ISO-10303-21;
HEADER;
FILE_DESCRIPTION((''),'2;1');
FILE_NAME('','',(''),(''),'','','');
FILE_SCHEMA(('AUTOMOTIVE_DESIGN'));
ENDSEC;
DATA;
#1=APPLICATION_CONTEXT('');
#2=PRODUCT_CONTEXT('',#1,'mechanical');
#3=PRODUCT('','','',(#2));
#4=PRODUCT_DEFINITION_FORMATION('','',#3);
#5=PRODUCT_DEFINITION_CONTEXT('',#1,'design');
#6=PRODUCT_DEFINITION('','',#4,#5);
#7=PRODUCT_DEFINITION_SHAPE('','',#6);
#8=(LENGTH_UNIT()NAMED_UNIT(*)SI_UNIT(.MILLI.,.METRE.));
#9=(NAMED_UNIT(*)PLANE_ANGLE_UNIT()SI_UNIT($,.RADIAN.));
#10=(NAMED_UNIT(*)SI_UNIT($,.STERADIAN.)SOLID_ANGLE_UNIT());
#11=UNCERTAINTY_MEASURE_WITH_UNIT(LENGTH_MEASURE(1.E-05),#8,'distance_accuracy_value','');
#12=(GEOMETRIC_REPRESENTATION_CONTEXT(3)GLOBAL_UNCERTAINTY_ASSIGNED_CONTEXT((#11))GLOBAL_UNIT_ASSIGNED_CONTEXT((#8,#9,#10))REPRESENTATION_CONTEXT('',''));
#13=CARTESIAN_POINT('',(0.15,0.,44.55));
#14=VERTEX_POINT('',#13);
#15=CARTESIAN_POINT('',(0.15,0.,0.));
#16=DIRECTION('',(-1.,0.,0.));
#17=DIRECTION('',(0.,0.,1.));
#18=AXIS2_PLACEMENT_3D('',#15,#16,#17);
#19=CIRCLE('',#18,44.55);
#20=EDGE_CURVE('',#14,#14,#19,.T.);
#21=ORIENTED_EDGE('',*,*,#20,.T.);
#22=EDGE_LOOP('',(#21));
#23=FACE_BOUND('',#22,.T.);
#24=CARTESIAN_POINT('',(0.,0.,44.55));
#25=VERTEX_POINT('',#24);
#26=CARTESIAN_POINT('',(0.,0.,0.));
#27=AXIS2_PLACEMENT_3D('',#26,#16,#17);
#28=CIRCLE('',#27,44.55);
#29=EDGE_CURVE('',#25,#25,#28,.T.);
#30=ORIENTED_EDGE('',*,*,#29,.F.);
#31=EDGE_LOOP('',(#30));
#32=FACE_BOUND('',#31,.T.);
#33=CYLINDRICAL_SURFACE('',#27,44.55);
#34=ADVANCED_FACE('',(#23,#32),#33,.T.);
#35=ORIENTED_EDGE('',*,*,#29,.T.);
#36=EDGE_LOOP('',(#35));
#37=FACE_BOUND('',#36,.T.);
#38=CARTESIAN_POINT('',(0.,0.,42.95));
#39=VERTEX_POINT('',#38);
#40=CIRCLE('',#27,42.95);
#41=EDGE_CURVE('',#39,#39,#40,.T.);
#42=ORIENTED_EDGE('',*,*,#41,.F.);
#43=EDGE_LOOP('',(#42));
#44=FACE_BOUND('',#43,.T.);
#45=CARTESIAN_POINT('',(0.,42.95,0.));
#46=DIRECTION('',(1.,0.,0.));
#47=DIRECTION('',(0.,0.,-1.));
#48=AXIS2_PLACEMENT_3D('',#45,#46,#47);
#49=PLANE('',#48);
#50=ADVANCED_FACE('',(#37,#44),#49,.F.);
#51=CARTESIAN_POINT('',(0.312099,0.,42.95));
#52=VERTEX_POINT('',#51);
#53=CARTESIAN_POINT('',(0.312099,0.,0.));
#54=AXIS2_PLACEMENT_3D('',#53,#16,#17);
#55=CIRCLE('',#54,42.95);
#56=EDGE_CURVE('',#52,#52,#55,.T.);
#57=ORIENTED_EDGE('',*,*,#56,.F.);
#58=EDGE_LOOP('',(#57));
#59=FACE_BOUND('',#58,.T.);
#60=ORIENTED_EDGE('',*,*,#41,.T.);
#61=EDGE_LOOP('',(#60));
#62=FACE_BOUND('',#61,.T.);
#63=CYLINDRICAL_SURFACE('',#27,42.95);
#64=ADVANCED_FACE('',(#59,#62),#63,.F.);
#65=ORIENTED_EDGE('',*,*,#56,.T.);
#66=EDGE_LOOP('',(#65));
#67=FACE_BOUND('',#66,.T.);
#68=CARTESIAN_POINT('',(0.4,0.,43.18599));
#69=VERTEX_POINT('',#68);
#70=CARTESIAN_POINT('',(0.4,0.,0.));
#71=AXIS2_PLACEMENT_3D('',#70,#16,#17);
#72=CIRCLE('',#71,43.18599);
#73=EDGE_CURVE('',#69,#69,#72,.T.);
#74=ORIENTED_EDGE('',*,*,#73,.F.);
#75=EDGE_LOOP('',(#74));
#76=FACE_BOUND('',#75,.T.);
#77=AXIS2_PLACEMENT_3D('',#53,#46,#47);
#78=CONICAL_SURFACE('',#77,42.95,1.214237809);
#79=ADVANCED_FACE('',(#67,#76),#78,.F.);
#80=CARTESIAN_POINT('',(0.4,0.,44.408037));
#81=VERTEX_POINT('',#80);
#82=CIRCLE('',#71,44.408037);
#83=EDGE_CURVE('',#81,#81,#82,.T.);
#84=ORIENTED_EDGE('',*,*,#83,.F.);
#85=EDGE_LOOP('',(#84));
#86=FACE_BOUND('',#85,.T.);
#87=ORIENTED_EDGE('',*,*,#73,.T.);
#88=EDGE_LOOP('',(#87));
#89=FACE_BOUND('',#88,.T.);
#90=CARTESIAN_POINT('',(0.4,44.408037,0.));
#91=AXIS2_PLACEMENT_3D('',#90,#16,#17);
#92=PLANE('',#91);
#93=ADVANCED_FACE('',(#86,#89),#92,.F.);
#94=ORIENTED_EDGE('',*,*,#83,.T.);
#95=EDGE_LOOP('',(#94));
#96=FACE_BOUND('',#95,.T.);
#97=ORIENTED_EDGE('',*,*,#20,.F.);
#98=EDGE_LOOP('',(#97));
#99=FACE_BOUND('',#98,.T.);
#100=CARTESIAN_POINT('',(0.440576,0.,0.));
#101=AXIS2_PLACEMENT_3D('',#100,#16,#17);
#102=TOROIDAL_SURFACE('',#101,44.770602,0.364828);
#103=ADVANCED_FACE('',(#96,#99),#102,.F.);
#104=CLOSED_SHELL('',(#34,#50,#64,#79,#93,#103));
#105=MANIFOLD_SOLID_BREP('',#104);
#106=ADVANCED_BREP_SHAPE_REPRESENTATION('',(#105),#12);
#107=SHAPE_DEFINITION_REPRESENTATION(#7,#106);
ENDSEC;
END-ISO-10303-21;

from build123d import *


with BuildPart() as part:
    # 草图1 → 旋转1 (revolve)
    with BuildSketch(Plane.XY):
        with BuildLine():
            Line((0, 44.55), (0.15, 44.55))
            ThreePointArc((0.15, 44.55), (0.260426662, 44.453354538), (0.4, 44.408037035))
            Line((0.4, 44.408037035), (0.4, 43.185990161))
            Line((0.4, 43.185990161), (0.312098656, 42.95))
            Line((0.312098656, 42.95), (0, 42.95))
            Line((0, 42.95), (0, 44.55))
        make_face()
    revolve(axis=Axis((0, 0, 0), (1, 0, 0)))


solid = part.part
